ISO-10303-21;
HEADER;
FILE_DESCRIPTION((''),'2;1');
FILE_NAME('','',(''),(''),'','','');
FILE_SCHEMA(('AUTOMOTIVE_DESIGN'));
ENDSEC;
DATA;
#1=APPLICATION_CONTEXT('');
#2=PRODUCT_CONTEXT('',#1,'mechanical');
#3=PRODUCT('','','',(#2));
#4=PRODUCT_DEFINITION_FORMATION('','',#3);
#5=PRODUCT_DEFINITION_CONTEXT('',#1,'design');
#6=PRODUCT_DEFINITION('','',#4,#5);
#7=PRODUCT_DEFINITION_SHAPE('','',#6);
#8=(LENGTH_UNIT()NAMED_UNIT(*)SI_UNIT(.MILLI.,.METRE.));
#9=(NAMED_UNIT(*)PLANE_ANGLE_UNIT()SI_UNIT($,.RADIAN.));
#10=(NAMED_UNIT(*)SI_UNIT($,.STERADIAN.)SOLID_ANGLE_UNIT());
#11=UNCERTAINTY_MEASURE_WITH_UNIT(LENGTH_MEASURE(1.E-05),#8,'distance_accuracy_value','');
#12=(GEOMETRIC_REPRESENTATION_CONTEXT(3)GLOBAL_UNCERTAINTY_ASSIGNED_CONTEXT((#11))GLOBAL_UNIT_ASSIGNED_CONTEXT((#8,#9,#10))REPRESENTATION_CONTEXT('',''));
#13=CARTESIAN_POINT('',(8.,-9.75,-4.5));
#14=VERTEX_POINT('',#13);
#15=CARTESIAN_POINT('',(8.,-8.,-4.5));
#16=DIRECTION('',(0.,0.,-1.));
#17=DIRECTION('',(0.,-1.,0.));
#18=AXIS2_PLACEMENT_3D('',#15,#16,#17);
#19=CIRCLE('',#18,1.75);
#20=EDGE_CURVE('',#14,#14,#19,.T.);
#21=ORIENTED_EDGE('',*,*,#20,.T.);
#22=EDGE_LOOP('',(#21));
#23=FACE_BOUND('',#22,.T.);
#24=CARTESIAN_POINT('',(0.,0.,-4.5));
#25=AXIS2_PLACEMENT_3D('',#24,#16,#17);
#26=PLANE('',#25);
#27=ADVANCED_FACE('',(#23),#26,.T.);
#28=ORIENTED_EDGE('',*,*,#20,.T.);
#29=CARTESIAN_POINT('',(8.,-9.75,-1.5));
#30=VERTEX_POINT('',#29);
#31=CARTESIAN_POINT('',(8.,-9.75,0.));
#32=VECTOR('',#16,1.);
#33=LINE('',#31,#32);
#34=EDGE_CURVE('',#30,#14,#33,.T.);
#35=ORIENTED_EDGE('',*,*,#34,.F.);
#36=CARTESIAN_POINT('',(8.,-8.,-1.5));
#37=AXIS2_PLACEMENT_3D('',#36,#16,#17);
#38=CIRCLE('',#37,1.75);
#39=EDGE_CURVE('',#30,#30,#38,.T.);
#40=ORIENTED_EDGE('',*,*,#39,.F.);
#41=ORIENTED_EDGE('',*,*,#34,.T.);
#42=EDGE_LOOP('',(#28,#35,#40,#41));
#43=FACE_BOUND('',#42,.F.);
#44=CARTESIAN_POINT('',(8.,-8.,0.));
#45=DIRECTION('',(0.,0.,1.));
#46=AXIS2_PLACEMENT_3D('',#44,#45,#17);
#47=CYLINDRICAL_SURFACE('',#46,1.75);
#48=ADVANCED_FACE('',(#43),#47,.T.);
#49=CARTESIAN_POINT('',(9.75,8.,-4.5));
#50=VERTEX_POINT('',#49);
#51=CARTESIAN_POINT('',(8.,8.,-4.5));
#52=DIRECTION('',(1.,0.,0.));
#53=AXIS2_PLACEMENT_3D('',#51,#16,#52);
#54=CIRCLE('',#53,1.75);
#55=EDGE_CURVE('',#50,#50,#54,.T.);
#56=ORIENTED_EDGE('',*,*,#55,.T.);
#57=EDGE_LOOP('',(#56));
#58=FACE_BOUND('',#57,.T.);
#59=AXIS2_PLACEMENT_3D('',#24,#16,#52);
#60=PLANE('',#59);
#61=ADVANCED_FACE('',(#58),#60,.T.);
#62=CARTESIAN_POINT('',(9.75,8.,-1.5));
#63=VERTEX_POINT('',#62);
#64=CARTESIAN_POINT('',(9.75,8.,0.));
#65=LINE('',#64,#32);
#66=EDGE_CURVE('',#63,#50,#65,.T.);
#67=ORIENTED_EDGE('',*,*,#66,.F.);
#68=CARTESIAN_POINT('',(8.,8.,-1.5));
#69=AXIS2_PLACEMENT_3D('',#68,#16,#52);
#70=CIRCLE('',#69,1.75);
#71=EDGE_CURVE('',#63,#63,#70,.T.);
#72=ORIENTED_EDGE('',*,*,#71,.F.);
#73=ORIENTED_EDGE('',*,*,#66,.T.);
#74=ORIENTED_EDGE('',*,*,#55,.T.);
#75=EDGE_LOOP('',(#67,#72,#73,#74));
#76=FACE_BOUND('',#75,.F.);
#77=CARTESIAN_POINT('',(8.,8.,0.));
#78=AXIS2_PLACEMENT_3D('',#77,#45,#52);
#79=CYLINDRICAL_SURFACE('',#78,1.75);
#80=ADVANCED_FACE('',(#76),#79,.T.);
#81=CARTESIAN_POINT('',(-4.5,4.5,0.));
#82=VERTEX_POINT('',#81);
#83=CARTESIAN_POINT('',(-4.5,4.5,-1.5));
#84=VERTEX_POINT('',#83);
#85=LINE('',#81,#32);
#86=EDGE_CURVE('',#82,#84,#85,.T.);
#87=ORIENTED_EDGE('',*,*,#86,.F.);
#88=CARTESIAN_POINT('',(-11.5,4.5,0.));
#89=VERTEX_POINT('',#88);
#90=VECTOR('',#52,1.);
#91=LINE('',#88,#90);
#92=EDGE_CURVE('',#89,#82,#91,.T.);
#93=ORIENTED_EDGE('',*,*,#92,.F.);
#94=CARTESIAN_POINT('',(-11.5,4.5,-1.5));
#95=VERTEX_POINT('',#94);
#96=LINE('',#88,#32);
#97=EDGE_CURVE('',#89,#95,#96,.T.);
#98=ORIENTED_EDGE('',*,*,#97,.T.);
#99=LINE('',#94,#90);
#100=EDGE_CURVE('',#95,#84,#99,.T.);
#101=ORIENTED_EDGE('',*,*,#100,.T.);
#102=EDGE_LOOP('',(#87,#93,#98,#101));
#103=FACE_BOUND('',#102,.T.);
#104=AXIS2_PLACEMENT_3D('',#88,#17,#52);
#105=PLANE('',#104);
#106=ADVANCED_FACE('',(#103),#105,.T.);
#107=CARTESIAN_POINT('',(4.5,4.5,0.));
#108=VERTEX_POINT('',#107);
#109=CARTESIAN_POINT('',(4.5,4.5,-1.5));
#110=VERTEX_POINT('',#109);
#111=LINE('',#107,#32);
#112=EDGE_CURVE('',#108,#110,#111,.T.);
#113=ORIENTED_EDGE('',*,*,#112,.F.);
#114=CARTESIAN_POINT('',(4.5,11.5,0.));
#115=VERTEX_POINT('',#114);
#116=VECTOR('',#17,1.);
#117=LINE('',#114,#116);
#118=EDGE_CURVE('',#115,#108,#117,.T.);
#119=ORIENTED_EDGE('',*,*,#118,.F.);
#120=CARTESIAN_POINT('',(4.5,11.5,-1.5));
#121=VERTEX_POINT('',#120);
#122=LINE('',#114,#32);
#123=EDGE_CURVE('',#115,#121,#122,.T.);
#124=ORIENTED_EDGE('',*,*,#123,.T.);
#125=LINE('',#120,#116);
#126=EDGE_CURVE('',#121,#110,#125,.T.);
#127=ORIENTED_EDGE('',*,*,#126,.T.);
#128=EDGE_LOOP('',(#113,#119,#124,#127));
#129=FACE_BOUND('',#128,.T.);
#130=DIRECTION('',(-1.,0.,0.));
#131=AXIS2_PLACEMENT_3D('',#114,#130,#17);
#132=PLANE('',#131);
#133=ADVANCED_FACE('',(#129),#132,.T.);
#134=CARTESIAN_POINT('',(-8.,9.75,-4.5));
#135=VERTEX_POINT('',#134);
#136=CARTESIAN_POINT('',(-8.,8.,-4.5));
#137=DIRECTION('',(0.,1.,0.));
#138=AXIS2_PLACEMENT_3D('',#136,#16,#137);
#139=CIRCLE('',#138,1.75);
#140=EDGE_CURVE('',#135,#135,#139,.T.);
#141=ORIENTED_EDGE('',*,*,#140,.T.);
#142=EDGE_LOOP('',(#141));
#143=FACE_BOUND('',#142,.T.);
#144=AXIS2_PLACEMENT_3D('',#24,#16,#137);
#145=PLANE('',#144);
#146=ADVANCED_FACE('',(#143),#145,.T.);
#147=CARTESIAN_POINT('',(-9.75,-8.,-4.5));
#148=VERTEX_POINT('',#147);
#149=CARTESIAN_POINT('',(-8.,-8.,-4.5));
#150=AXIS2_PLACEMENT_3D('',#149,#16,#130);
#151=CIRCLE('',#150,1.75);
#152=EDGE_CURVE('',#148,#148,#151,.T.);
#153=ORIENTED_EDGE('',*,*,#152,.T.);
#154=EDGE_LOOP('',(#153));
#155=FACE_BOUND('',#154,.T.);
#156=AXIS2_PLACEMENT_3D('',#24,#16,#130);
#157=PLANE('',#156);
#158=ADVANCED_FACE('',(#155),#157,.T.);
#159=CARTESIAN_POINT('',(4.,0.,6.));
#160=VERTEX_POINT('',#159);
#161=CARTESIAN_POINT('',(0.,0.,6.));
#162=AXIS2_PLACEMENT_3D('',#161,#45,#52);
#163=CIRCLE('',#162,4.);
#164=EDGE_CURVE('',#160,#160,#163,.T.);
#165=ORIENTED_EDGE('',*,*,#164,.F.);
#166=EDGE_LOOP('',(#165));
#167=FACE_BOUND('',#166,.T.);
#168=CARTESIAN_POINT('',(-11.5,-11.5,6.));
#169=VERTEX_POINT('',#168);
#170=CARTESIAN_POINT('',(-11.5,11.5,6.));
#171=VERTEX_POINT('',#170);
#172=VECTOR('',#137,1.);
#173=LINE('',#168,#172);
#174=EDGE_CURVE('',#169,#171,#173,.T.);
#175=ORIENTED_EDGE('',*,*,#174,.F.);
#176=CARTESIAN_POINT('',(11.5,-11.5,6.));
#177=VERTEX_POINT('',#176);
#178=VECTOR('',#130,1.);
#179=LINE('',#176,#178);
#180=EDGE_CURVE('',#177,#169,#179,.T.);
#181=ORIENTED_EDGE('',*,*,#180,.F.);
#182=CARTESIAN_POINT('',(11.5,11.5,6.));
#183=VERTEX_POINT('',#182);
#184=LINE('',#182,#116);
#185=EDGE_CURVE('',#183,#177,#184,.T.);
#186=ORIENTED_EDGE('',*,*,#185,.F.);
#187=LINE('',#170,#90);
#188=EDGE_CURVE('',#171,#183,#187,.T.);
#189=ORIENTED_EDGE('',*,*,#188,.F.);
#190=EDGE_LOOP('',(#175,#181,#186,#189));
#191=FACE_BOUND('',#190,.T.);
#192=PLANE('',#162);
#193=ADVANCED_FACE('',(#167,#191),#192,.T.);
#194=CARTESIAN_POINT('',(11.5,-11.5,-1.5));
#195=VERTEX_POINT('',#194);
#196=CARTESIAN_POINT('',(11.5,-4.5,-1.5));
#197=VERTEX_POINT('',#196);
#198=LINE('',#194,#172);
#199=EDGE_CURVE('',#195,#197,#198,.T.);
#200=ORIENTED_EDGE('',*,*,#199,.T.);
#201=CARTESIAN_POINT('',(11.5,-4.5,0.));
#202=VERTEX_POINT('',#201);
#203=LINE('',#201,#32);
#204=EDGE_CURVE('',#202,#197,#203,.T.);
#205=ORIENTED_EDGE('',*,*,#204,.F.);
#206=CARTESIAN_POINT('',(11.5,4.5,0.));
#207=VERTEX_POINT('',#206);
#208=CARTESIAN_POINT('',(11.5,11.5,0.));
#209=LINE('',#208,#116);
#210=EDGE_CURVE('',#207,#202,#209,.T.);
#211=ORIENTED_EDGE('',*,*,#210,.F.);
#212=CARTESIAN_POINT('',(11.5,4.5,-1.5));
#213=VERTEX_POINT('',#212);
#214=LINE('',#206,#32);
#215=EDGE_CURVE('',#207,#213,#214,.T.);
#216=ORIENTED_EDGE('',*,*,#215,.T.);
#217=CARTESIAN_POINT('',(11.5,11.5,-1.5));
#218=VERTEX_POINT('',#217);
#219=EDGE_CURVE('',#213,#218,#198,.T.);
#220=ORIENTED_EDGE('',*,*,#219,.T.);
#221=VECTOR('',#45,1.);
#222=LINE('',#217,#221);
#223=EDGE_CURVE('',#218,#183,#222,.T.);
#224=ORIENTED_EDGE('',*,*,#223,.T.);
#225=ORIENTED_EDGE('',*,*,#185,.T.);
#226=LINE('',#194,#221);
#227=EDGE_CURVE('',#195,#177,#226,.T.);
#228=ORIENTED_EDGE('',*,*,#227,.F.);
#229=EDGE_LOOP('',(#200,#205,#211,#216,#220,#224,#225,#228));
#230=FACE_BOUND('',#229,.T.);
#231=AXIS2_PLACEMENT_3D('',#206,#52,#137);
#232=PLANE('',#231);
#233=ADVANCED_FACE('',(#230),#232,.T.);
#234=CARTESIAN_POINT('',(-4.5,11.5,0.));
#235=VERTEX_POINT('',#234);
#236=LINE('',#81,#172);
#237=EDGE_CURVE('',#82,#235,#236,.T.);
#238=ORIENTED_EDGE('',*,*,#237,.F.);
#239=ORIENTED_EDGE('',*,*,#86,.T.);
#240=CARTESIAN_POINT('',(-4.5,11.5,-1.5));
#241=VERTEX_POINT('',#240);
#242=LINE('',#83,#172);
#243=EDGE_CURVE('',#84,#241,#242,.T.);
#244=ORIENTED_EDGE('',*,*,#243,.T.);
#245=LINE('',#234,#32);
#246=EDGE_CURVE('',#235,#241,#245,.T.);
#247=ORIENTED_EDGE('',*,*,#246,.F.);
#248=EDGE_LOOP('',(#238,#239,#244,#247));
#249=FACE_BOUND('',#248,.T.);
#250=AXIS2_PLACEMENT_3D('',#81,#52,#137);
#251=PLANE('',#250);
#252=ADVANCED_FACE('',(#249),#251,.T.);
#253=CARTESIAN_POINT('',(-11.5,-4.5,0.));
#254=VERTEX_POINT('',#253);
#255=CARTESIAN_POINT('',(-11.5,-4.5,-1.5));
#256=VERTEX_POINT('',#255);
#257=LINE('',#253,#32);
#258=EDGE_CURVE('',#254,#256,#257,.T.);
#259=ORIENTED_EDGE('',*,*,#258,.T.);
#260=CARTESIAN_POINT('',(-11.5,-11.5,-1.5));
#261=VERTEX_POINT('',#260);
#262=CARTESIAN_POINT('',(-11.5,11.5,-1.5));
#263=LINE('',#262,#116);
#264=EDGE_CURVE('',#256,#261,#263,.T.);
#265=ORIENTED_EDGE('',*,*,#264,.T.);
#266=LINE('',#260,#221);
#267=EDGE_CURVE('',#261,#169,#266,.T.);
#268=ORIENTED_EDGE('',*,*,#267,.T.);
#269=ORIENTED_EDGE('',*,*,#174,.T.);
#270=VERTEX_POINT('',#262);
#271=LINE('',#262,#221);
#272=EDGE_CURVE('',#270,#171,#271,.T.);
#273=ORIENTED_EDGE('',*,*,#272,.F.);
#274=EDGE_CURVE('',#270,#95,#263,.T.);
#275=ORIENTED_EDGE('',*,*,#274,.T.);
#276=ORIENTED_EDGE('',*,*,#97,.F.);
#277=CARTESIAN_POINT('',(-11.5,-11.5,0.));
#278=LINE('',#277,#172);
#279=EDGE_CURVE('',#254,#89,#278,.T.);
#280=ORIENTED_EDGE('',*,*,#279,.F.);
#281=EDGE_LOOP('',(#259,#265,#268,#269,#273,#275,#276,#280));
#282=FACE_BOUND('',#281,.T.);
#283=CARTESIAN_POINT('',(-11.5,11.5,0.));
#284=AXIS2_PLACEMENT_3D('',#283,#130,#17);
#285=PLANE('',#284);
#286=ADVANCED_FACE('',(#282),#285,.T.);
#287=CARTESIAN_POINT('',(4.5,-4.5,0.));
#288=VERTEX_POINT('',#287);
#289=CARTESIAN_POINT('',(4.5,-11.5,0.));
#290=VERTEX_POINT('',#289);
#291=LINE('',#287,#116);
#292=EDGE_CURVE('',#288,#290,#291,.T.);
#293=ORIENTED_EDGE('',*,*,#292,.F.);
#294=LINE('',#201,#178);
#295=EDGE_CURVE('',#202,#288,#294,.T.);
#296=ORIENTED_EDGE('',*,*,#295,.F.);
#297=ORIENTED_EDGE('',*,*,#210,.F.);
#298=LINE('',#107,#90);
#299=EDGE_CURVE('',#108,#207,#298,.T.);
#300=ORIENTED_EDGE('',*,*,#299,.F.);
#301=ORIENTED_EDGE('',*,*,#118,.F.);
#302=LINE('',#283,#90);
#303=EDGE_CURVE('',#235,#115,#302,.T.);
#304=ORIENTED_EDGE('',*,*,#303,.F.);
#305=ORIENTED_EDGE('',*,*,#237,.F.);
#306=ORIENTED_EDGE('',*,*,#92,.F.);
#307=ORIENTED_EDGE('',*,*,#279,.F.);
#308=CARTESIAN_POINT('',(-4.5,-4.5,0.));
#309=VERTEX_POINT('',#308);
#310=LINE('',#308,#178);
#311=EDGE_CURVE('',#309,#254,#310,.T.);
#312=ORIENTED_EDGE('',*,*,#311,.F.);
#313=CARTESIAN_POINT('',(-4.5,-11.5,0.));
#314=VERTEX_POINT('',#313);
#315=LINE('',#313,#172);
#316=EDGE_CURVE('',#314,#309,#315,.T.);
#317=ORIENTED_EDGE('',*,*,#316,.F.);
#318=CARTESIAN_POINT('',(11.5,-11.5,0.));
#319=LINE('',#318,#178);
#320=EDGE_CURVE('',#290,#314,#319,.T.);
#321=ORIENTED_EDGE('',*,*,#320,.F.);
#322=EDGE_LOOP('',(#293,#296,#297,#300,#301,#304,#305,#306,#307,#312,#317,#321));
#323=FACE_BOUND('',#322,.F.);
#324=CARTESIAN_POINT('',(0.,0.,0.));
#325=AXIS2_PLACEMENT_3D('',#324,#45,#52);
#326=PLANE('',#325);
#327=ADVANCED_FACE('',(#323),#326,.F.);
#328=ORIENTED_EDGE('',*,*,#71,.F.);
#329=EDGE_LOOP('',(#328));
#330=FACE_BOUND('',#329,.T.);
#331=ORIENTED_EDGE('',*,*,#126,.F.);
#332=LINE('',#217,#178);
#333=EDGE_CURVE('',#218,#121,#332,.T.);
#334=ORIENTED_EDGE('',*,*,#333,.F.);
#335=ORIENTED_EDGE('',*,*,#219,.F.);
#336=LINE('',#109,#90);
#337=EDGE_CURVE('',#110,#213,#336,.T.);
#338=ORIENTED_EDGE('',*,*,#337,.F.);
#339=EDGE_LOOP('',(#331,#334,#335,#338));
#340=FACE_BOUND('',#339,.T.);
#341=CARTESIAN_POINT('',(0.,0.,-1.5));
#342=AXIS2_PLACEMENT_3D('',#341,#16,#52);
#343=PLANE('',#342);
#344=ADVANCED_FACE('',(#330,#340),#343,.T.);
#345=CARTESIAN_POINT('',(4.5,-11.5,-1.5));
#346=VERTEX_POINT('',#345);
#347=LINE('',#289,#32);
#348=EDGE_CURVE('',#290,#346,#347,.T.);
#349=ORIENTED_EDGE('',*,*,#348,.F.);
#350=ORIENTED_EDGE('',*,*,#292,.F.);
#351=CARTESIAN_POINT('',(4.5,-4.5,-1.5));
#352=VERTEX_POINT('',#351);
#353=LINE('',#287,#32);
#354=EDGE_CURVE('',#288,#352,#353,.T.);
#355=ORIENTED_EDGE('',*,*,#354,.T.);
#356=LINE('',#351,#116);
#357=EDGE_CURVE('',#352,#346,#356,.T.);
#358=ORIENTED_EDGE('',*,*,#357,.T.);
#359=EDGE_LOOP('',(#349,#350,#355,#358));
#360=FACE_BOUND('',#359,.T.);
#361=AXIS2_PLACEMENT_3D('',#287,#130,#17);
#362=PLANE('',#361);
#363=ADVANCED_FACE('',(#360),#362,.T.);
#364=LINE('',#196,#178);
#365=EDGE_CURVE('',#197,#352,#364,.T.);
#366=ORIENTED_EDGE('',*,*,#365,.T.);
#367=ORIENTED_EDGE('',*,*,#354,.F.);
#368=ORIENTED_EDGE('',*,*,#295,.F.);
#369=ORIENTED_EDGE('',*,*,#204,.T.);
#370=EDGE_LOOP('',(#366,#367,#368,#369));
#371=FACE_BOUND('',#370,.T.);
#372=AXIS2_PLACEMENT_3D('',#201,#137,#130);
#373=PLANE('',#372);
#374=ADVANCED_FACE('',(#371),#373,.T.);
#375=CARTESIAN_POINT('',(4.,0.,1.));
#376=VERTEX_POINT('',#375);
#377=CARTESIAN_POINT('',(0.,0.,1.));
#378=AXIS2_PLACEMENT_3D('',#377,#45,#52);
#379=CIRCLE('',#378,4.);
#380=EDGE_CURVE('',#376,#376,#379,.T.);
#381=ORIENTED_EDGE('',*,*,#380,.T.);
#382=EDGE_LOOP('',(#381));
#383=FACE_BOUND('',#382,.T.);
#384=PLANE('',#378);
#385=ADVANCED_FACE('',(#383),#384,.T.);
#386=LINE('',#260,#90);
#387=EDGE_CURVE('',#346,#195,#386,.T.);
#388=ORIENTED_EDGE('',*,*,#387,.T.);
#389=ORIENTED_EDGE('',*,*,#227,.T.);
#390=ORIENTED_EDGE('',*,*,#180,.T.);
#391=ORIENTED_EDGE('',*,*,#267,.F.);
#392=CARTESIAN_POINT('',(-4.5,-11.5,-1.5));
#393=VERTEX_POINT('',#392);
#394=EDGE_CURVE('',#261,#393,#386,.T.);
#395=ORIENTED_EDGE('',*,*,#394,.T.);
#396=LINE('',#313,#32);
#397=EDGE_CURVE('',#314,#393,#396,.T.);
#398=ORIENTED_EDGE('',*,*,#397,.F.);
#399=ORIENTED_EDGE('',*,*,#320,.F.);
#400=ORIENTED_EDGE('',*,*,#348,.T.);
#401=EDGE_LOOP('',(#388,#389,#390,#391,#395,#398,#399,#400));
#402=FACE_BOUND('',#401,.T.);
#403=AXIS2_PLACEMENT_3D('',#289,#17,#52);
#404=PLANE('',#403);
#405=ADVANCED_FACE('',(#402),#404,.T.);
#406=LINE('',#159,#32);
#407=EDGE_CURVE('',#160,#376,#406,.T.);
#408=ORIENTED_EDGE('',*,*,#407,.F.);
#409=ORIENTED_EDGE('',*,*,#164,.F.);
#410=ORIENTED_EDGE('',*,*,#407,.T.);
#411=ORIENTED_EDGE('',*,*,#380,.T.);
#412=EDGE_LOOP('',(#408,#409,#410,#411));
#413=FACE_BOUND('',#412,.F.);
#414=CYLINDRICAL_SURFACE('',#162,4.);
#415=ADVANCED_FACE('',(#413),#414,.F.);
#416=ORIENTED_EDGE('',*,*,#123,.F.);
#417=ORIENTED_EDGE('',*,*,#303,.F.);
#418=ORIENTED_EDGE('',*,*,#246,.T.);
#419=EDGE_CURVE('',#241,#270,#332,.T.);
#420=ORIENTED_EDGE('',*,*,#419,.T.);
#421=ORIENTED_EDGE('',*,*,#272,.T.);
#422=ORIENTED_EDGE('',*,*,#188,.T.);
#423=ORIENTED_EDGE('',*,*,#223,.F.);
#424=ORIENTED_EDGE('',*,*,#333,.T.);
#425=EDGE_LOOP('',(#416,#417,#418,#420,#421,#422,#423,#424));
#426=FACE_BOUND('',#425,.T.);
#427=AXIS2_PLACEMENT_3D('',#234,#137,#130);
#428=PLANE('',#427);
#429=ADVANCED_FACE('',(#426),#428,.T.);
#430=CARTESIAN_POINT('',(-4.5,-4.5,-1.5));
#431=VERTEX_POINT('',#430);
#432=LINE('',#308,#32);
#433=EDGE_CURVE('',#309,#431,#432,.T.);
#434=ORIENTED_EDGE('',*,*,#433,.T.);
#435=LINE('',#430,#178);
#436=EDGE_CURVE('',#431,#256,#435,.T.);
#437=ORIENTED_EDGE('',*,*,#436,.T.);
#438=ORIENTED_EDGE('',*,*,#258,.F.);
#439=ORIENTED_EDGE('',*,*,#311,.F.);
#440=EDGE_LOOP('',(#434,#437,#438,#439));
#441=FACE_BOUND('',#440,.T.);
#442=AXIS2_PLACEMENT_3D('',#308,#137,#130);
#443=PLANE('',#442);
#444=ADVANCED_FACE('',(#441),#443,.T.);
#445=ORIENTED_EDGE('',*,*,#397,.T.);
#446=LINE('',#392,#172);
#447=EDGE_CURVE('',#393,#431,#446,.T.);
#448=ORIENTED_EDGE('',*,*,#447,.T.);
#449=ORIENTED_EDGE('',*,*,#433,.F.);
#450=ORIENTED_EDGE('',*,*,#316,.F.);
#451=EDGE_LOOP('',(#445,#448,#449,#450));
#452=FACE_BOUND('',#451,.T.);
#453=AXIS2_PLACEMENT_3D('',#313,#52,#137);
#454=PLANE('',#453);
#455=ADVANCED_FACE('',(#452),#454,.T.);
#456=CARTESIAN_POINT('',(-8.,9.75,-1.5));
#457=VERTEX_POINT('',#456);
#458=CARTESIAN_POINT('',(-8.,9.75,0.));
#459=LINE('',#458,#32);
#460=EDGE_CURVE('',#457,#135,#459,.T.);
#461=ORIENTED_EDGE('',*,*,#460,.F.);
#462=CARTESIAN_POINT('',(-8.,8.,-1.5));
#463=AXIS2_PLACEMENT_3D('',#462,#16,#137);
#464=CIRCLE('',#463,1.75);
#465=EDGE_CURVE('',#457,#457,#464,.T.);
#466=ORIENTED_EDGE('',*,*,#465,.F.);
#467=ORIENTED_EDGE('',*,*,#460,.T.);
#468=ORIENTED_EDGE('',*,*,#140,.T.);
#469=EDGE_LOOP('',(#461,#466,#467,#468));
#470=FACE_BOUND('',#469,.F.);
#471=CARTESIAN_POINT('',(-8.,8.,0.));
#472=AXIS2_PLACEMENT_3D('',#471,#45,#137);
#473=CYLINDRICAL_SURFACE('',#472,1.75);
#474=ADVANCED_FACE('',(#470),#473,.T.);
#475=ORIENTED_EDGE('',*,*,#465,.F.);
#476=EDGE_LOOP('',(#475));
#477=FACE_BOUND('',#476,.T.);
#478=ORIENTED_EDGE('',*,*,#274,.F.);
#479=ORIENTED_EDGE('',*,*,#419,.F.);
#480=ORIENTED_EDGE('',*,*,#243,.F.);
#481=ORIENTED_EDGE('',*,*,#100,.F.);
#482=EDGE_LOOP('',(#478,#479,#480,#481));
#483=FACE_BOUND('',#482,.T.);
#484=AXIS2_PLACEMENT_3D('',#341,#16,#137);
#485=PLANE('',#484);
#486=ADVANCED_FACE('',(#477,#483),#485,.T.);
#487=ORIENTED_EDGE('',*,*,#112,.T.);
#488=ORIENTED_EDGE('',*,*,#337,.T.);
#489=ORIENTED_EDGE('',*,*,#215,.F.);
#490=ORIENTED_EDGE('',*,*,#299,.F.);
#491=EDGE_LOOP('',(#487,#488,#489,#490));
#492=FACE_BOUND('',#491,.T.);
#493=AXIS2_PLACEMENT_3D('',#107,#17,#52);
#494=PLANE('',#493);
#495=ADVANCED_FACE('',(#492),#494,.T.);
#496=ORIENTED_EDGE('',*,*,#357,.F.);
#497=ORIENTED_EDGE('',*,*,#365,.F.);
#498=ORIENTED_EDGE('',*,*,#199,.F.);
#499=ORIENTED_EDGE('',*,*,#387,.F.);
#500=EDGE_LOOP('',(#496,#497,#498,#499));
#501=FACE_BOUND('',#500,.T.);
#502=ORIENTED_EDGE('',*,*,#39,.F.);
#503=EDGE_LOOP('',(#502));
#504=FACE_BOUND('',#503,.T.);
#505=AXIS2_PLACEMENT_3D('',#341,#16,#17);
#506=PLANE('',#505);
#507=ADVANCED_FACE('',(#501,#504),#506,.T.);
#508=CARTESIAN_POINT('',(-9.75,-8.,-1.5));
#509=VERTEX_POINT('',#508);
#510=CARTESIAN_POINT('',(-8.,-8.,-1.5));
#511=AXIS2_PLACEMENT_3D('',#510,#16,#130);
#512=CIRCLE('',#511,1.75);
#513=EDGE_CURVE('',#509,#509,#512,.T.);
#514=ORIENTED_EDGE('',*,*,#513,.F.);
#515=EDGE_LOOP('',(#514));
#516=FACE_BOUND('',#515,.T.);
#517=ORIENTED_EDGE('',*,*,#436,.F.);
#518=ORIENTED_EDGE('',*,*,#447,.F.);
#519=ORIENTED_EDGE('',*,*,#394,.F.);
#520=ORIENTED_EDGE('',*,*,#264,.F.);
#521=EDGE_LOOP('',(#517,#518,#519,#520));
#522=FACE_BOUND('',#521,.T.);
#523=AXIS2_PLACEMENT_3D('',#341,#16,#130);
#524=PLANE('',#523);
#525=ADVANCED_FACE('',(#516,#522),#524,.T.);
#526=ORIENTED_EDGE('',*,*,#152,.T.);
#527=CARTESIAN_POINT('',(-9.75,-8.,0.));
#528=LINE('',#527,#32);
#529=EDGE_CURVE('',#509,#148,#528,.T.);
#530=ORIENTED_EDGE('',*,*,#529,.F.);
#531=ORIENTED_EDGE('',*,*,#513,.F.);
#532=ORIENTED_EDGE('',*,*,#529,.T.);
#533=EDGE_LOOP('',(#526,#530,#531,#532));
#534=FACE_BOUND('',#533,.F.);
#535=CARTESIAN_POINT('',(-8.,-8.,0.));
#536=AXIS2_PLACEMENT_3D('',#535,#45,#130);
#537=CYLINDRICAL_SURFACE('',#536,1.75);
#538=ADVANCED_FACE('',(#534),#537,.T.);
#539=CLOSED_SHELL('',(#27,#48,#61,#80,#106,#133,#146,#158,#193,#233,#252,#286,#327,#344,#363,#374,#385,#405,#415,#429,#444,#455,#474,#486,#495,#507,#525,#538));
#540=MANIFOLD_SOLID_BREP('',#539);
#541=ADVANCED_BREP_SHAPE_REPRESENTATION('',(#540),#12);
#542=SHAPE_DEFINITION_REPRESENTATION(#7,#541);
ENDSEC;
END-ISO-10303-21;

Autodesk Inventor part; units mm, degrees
ref_plane "YZ Plane" through (0, 0, 0) normal (1, 0, 0) x (0, 1, 0)
ref_plane "XZ Plane" through (0, 0, 0) normal (0, 1, 0) x (-1, 0, 0)
ref_plane "XY Plane" through (0, 0, 0) normal (0, 0, 1) x (1, 0, 0)
sketch "Sketch1" plane through (0, 0, 0) normal (0, 0, 1) x (1, 0, 0)
  line L0 (11.5, -11.5) -> (-11.5, -11.5)
  line L1 (-11.5, -11.5) -> (-11.5, 11.5)
  line L2 (-11.5, 11.5) -> (11.5, 11.5)
  line L3 (11.5, 11.5) -> (11.5, -11.5)
  point P0 (0, 0)
  point P1 (0, 11.5)
  point P2 (-11.5, 0)
  dimension "d0" = 23
extrude "Extrusion1" add sketch "Sketch1" along normal blind 6
sketch "Sketch2" plane through (0, 0, 6) normal (0, 0, 1) x (1, 0, 0)
  circle A0 centre (0, 0) radius 4
  dimension "d3" = 8
extrude "Extrusion2" cut sketch "Sketch2" against normal blind 5
sketch "Sketch3" plane through (0, 0, 0) normal (0, 0, -1) x (-1, 0, 0)
  line L0 (11.5, 11.5) -> (11.5, -11.5) projected
  line L1 (11.5, -11.5) -> (4.5, -11.5)
  line L2 (4.5, -11.5) -> (4.5, -4.5)
  line L3 (4.5, -4.5) -> (11.5, -4.5)
  line L4 (11.5, -4.5) -> (11.5, -11.5)
  circle A0 centre (8, -8) radius 1.75
  point P0 (0, 0)
  dimension "d6" = 3.5
  dimension "d7" = 7
  dimension "d8" = 8
  dimension "d9" = 8
extrude "Extrusion3" add sketch "Sketch3" along normal blind 1.5
extrude "Extrusion4" add sketch "Sketch3" along normal blind 4.5 contours A0
pattern_circular "Circular Pattern1" count 4 over 360 about axis through (0, 0, -10) along (0, 0, 1) of "Extrusion3", "Extrusion4"
equation "\"d9\" = d8"
properties part number "AS5600 Testteil"
